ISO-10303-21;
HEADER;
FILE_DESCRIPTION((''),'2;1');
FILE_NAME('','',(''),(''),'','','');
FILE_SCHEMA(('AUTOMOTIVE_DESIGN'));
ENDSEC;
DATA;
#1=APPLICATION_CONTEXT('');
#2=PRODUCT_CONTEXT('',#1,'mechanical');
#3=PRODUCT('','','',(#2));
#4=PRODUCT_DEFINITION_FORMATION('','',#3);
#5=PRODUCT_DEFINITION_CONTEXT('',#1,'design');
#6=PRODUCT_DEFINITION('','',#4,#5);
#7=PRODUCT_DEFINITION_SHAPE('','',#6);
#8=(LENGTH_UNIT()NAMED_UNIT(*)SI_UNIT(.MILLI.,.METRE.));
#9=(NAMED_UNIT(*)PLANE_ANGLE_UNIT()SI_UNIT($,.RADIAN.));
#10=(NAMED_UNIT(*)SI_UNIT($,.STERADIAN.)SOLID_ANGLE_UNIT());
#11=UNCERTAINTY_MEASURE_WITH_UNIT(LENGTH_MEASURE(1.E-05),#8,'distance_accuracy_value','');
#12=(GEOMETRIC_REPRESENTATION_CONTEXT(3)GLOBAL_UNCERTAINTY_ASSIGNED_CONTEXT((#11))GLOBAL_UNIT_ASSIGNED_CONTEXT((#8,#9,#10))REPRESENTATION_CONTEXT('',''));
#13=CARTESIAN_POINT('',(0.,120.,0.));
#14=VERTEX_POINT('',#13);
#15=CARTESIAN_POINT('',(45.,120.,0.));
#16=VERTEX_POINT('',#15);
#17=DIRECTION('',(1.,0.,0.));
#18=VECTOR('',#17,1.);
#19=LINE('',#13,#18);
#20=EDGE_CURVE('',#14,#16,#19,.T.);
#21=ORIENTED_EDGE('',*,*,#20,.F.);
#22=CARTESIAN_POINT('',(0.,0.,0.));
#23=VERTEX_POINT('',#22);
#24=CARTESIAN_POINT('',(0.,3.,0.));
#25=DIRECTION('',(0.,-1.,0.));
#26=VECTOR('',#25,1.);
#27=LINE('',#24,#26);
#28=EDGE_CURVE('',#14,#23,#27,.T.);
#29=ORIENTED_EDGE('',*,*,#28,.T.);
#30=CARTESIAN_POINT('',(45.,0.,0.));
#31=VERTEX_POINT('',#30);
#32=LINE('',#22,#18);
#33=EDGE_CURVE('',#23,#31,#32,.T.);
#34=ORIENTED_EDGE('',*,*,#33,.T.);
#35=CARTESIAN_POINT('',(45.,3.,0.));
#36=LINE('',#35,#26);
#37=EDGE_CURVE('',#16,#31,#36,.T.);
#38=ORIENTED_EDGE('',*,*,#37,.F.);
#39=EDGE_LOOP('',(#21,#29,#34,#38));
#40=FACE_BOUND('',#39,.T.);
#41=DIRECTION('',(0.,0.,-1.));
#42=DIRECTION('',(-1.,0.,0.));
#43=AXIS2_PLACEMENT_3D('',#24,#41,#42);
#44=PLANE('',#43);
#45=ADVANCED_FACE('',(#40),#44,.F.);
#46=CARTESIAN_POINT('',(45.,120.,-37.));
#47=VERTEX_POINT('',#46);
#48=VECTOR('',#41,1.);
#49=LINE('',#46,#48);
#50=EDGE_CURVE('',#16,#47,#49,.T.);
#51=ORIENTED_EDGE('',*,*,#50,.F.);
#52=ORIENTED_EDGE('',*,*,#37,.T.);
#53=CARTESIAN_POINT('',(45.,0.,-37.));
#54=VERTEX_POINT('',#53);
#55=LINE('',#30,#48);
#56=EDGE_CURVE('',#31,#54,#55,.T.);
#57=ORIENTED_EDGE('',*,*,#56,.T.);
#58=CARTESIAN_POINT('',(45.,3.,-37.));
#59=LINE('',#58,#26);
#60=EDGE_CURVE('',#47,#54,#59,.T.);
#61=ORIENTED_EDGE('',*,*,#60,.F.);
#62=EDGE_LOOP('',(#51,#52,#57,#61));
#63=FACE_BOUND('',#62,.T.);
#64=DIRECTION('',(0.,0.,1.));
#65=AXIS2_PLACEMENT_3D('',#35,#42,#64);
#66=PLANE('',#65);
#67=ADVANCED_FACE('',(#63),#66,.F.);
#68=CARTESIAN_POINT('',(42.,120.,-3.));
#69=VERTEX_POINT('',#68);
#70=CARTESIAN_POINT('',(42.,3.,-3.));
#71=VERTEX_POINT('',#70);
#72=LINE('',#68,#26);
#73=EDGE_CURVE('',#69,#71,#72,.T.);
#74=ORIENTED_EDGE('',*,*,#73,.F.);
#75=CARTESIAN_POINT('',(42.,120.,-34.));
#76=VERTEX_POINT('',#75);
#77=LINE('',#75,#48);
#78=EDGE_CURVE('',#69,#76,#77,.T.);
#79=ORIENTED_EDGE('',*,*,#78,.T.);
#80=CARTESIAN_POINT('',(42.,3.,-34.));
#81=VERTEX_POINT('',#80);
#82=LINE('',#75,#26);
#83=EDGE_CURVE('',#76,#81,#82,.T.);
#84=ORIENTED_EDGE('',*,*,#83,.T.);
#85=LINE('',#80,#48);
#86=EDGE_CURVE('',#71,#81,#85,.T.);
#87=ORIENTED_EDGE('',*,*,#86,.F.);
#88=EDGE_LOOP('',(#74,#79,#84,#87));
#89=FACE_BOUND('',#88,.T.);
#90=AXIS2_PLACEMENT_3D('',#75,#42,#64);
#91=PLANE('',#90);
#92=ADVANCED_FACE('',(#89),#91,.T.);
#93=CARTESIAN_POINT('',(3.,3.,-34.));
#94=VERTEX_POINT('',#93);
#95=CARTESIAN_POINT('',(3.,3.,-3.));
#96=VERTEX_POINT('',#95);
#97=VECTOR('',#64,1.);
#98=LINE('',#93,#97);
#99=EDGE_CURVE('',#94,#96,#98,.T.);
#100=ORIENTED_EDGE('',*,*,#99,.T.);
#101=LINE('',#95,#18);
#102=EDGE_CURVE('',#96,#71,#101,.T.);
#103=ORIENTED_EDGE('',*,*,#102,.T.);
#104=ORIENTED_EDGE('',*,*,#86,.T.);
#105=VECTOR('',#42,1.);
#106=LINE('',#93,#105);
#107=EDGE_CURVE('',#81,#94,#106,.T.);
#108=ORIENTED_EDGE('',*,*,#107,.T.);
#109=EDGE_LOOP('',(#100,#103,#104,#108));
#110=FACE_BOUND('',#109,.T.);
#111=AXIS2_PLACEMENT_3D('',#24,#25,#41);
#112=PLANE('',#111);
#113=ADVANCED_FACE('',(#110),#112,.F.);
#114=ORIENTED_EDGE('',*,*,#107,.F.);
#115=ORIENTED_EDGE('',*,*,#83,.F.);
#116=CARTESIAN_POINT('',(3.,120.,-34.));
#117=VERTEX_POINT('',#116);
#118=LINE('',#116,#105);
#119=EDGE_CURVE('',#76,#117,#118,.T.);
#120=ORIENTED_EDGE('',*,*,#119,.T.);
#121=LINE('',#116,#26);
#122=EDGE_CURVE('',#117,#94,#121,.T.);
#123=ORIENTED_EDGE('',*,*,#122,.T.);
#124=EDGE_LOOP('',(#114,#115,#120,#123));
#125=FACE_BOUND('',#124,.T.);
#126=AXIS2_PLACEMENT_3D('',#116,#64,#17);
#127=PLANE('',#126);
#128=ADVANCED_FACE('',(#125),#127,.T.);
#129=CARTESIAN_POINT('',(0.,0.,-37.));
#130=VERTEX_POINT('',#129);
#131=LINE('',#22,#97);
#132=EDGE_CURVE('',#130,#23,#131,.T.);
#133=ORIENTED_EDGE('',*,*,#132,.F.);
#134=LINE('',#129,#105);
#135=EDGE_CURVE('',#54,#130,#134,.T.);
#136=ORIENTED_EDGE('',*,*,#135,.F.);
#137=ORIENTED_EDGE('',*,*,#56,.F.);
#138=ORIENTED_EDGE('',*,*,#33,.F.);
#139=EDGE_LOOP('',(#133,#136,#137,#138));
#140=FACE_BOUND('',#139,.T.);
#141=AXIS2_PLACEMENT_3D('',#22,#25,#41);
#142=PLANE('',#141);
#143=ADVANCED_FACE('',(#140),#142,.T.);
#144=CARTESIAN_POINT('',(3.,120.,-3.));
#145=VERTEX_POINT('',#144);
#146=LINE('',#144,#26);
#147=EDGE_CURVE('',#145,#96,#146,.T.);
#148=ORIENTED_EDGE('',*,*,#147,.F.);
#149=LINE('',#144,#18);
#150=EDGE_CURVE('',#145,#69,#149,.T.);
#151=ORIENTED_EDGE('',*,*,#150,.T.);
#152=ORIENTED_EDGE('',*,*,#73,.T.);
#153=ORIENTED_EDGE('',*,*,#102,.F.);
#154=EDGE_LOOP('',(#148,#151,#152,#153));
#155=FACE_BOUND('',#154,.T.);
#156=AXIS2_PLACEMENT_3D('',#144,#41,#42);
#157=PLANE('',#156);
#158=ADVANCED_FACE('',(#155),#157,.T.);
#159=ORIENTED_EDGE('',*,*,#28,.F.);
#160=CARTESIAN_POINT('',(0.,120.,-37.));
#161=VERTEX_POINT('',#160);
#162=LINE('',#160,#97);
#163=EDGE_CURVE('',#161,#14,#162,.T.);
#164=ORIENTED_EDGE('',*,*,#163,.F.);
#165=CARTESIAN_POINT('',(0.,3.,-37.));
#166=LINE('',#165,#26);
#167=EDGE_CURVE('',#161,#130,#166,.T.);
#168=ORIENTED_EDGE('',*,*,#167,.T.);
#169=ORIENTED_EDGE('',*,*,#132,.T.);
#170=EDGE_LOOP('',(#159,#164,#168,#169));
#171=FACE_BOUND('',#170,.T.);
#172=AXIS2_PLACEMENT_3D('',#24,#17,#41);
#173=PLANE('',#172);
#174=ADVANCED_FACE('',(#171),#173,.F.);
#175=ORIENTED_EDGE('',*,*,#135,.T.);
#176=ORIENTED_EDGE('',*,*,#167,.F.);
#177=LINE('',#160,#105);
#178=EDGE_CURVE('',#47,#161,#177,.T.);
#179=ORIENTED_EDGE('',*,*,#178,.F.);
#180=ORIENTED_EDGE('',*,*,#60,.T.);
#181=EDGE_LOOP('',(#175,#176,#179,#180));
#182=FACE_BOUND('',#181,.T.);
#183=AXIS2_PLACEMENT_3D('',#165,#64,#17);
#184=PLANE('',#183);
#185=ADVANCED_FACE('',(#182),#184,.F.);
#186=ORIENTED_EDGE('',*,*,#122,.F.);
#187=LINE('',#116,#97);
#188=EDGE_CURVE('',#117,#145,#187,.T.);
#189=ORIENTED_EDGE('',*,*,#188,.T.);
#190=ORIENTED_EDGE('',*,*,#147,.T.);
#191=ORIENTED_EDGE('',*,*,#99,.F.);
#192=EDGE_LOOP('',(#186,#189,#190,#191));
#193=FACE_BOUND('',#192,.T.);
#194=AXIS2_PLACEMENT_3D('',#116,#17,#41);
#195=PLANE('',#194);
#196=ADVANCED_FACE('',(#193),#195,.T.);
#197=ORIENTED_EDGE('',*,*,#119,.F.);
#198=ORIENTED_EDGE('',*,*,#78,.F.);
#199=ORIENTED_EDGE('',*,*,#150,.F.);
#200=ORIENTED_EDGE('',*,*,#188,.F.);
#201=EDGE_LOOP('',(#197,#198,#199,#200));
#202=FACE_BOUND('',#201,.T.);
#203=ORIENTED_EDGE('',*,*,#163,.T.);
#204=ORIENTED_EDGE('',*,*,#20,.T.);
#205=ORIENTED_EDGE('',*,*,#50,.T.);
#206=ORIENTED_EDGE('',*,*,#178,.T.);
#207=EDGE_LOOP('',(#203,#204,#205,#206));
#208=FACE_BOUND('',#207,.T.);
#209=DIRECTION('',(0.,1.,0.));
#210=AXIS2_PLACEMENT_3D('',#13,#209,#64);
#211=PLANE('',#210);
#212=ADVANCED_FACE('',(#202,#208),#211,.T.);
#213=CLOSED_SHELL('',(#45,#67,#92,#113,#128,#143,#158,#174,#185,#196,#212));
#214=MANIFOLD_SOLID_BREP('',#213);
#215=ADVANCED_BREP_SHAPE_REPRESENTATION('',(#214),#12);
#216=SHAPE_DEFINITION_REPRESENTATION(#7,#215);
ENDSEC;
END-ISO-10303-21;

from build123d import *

# Parameters (mm, degrees)
SKETCH2_W           = 45
SKETCH2_H           = 37
BOSS_EXTRUDE1_DEPTH = 3
SKETCH3_W           = 45
SKETCH3_H           = 37
SKETCH3_W_2         = 39
SKETCH3_H_2         = 31
BOSS_EXTRUDE2_DEPTH = 117


with BuildPart() as part:
    # Sketch2 → Boss-Extrude1 (new body)
    with BuildSketch(Plane(origin=(0, 0, 0), x_dir=(1, 0, 0), z_dir=(0, 1, 0))):
        with Locations((22.5, 18.5)):
            Rectangle(SKETCH2_W, SKETCH2_H)
    extrude(amount=BOSS_EXTRUDE1_DEPTH)

    # Sketch3 → Boss-Extrude2 (add)
    with BuildSketch(Plane(origin=(0, 3, 0), x_dir=(1, 0, 0), z_dir=(0, 1, 0))):
        with Locations((22.5, 18.5)):
            Rectangle(SKETCH3_W, SKETCH3_H)
        with Locations((22.5, 18.5)):
            Rectangle(SKETCH3_W_2, SKETCH3_H_2, mode=Mode.SUBTRACT)
    extrude(amount=BOSS_EXTRUDE2_DEPTH)


solid = part.part
